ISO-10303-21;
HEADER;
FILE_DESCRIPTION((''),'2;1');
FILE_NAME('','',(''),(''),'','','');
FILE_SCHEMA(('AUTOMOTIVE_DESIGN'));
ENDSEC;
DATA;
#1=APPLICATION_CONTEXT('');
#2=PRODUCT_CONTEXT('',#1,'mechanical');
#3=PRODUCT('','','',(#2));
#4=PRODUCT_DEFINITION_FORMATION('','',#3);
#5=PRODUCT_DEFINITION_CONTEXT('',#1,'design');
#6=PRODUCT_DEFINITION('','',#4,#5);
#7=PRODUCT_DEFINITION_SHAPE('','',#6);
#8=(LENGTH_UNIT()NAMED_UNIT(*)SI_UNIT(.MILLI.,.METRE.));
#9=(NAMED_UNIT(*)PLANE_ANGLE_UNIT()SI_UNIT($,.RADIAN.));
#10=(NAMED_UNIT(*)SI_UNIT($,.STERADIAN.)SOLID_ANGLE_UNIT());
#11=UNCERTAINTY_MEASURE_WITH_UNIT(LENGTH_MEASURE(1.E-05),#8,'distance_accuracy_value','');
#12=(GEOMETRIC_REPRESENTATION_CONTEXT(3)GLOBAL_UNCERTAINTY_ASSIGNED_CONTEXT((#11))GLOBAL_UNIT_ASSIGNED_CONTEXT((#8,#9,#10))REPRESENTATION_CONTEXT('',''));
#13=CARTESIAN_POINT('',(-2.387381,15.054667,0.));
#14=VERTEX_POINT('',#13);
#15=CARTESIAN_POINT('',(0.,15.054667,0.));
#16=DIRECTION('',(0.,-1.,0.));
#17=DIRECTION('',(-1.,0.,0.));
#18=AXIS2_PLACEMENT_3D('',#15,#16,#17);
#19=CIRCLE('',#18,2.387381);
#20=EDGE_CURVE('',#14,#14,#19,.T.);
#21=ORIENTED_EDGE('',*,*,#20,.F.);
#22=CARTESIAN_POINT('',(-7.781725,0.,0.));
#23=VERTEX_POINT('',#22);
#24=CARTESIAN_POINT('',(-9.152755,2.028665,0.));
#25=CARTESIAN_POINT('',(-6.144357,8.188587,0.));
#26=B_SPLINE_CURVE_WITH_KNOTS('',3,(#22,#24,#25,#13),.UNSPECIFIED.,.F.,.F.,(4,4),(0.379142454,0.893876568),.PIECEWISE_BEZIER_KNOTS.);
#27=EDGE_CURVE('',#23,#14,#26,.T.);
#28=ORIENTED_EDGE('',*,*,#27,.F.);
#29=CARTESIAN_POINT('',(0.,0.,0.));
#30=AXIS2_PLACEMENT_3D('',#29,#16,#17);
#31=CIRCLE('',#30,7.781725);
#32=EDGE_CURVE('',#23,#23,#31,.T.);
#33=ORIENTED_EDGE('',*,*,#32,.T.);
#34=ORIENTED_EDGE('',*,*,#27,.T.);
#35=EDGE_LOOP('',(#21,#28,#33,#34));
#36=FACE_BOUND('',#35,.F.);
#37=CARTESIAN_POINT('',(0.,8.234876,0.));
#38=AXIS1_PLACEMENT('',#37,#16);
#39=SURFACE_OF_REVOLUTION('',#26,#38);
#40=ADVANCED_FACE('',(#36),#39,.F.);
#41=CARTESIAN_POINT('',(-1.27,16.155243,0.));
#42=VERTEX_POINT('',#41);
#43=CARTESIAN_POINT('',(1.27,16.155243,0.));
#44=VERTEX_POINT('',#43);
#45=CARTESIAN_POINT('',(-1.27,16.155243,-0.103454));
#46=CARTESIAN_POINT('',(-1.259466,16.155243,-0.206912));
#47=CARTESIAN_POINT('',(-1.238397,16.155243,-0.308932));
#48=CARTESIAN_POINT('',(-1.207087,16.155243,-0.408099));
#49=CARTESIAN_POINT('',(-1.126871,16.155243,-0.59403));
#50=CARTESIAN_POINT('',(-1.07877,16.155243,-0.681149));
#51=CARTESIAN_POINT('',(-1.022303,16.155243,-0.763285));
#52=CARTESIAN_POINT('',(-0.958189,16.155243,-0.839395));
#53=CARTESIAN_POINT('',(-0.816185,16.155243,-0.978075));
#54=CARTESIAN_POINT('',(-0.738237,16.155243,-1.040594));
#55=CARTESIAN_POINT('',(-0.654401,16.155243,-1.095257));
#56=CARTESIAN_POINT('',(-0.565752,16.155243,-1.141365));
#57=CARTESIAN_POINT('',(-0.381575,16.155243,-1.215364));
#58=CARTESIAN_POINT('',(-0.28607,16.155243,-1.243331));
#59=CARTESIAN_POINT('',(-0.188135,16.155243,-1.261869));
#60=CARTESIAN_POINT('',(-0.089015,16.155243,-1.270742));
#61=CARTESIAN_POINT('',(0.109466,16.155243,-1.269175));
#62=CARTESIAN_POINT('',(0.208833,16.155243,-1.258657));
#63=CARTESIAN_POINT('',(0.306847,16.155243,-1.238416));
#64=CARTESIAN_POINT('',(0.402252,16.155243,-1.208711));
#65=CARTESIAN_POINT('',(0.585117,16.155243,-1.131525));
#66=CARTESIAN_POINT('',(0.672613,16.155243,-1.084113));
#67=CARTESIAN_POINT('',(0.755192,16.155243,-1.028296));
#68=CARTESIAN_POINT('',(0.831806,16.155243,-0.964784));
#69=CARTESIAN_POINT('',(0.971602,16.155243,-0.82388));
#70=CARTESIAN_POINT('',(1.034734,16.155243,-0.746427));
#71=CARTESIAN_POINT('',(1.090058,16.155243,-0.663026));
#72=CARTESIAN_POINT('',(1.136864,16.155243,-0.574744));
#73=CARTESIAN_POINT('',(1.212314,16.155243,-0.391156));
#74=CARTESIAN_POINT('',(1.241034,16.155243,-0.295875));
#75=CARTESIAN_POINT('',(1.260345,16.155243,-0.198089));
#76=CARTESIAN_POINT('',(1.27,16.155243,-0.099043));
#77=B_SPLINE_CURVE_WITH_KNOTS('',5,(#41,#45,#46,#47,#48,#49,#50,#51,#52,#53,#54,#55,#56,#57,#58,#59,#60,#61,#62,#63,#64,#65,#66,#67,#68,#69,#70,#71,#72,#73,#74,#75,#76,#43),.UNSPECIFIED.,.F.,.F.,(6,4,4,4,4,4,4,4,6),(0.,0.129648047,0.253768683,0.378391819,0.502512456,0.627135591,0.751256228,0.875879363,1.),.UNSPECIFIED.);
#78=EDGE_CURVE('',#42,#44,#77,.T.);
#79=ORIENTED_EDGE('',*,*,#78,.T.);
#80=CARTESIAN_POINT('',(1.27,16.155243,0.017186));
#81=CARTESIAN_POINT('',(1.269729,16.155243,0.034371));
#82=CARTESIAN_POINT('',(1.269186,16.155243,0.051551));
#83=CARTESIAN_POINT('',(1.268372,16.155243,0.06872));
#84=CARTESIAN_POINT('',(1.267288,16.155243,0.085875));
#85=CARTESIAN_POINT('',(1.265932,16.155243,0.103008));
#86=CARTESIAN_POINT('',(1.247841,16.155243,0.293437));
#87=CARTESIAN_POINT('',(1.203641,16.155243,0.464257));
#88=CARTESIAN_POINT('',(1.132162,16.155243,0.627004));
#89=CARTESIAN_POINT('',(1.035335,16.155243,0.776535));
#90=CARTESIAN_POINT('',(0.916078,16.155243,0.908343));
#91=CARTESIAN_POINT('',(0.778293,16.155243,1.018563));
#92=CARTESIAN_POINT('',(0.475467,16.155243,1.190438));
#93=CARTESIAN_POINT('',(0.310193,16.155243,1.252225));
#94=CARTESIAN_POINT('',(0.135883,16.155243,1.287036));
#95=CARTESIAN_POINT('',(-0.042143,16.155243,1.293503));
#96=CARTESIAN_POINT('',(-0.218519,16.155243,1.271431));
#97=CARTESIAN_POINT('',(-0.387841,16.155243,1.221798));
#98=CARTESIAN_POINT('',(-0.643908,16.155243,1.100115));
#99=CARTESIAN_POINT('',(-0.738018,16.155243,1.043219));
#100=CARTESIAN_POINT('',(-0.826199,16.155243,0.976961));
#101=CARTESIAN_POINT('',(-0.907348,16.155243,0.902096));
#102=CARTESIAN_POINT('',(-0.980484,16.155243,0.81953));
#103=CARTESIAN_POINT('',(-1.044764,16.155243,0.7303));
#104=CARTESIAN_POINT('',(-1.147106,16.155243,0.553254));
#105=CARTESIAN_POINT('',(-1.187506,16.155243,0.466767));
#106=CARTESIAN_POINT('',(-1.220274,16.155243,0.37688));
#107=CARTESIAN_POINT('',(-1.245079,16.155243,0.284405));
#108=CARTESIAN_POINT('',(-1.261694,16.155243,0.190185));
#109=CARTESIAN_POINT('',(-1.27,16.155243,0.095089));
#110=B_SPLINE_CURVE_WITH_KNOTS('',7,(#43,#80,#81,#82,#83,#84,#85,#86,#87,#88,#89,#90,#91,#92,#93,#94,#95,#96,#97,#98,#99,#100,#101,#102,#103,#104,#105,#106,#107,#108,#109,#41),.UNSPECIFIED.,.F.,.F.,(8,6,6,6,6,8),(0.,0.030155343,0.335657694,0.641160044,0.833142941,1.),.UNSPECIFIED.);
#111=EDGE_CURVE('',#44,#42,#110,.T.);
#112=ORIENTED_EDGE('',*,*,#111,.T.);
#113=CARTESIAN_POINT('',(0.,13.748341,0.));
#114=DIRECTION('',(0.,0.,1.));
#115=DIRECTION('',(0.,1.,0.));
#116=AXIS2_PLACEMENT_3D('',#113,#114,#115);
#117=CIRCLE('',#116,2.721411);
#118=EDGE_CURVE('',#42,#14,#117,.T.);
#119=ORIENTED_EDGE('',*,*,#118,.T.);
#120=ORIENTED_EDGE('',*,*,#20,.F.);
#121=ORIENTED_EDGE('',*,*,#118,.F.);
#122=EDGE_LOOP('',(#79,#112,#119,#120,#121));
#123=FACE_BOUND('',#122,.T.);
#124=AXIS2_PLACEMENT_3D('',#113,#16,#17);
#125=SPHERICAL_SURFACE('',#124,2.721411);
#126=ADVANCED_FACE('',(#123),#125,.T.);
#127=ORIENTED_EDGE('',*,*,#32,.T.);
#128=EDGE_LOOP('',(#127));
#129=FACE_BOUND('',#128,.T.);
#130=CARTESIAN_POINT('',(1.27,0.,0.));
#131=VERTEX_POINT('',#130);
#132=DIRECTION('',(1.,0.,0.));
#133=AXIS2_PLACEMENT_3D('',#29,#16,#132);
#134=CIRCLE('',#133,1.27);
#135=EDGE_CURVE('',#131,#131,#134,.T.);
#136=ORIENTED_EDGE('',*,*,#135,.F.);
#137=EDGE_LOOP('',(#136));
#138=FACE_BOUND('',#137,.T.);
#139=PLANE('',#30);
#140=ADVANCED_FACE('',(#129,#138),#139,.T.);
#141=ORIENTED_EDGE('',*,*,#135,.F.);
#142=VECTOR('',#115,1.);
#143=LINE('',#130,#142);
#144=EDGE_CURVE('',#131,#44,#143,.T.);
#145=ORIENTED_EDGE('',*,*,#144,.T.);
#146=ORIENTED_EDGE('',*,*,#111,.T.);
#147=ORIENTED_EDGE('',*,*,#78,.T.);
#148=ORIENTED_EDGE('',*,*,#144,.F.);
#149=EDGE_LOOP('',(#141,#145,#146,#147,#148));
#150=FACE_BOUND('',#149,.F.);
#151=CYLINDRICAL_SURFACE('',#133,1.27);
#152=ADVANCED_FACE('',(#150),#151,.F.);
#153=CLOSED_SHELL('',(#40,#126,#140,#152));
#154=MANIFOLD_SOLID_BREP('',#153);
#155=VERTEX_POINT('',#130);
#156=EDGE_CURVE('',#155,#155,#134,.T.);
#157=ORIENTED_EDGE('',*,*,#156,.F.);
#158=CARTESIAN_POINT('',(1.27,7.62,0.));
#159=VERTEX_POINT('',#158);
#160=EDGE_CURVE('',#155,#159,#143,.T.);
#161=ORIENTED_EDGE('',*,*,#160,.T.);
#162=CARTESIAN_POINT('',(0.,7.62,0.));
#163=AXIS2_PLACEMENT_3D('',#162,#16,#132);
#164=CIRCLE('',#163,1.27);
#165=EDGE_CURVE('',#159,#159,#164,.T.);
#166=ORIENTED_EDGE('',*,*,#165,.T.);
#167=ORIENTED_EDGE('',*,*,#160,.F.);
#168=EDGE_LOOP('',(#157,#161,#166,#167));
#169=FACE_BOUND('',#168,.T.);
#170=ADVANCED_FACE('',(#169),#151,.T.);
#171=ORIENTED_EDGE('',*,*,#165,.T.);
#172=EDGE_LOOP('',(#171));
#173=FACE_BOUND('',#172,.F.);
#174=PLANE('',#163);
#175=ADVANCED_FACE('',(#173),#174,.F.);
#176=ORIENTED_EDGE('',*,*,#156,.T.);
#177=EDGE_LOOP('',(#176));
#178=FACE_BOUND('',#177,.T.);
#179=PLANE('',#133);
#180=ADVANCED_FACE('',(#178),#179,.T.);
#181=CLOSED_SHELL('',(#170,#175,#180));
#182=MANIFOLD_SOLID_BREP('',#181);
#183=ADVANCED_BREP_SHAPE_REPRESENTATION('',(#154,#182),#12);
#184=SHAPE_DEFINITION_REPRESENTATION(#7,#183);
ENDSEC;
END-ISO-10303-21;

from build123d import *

# Parameters (mm, degrees)
F2_R     = 1.27
F3_DEPTH = 16.51
F4_R     = 1.27
F5_DEPTH = 7.62


with BuildPart() as f1:
    # F0 (on Top) → F1 (revolve)
    with BuildSketch(Plane.XY):
        with BuildLine():
            Line((0, 0), (0, 16.4697519217))
            ThreePointArc((0, 16.4697519217), (-1.3876289372, 16.0894012629), (-2.3873814073, 15.0546666642))
            add(Edge.make_bspline(
                [(-7.781725377, 0), (-9.1527554645, 2.0286652571), (-6.1443571696, 8.1885872655), (-2.3873814073, 15.0546666642)],
                knots=[0.3791424537, 0.3791424537, 0.3791424537, 0.3791424537, 0.8938765681, 0.8938765681, 0.8938765681, 0.8938765681], degree=3))
            Line((-7.781725377, 0), (0, 0))
        make_face()
    revolve(axis=Axis((0, 8.2348759608, 0), (0, -1, 0)))

    # F2 (on Front) → F3 (cut)
    with BuildSketch(Plane.XZ):
        Circle(F2_R)
    extrude(amount=-F3_DEPTH, mode=Mode.SUBTRACT)


with BuildPart() as f5:
    # F4 (on face) → F5 (new body)
    with BuildSketch(Plane.XZ):
        Circle(F4_R)
    extrude(amount=-F5_DEPTH)


solid = Compound([f1.part, f5.part])
